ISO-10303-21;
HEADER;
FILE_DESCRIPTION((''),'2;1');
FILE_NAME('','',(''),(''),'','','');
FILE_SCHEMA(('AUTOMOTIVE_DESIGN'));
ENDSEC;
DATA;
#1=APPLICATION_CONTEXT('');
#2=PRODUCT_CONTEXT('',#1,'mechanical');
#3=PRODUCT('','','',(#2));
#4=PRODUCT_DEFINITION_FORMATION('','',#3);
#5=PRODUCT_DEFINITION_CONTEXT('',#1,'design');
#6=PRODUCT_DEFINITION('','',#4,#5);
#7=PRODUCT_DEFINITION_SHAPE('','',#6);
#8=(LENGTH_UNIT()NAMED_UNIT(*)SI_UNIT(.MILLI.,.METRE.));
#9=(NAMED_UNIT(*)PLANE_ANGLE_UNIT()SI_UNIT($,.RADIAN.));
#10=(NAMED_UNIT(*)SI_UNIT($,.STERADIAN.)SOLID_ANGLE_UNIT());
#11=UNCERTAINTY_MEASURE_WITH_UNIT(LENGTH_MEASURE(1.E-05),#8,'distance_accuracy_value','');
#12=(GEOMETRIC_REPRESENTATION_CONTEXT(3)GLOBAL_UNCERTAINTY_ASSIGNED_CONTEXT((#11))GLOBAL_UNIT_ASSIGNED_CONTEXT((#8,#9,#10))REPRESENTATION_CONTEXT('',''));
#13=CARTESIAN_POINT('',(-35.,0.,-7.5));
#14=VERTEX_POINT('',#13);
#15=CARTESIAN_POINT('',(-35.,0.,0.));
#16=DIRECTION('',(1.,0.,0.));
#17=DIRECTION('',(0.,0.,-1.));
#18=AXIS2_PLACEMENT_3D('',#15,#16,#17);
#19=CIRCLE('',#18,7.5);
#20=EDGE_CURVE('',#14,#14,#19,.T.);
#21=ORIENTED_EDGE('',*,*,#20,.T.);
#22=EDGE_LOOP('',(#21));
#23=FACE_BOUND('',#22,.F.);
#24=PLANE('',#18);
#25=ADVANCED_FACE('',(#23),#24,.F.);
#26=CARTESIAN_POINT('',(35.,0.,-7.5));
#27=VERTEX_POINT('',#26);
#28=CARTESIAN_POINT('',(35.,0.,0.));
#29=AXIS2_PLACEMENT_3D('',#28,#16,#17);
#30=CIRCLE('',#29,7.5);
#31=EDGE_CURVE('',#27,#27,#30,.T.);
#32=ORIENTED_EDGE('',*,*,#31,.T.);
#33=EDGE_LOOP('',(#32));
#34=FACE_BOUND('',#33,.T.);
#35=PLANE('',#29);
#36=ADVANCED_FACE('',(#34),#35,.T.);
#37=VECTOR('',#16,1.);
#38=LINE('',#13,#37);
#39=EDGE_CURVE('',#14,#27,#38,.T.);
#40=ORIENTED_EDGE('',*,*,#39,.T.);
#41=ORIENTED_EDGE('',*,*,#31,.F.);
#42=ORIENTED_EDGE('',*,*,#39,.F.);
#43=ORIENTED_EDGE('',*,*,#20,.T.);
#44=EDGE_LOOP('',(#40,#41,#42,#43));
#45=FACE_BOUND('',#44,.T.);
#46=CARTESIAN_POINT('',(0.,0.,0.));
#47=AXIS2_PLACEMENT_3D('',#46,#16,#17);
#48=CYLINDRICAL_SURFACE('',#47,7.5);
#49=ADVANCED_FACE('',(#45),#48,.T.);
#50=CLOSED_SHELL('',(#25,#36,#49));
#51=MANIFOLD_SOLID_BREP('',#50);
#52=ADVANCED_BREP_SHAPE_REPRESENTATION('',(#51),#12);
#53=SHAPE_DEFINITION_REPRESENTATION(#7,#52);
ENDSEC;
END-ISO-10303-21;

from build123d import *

# Parameters (mm, degrees)
SKETCH1_R           = 7.5
BOSS_EXTRUDE1_DEPTH = 35


with BuildPart() as part:
    # Sketch1 → Boss-Extrude1 (new body, symmetric)
    with BuildSketch(Plane(origin=(0, 0, 0), x_dir=(0, 0, -1), z_dir=(1, 0, 0))):
        Circle(SKETCH1_R)
    extrude(amount=BOSS_EXTRUDE1_DEPTH, both=True)


solid = part.part
